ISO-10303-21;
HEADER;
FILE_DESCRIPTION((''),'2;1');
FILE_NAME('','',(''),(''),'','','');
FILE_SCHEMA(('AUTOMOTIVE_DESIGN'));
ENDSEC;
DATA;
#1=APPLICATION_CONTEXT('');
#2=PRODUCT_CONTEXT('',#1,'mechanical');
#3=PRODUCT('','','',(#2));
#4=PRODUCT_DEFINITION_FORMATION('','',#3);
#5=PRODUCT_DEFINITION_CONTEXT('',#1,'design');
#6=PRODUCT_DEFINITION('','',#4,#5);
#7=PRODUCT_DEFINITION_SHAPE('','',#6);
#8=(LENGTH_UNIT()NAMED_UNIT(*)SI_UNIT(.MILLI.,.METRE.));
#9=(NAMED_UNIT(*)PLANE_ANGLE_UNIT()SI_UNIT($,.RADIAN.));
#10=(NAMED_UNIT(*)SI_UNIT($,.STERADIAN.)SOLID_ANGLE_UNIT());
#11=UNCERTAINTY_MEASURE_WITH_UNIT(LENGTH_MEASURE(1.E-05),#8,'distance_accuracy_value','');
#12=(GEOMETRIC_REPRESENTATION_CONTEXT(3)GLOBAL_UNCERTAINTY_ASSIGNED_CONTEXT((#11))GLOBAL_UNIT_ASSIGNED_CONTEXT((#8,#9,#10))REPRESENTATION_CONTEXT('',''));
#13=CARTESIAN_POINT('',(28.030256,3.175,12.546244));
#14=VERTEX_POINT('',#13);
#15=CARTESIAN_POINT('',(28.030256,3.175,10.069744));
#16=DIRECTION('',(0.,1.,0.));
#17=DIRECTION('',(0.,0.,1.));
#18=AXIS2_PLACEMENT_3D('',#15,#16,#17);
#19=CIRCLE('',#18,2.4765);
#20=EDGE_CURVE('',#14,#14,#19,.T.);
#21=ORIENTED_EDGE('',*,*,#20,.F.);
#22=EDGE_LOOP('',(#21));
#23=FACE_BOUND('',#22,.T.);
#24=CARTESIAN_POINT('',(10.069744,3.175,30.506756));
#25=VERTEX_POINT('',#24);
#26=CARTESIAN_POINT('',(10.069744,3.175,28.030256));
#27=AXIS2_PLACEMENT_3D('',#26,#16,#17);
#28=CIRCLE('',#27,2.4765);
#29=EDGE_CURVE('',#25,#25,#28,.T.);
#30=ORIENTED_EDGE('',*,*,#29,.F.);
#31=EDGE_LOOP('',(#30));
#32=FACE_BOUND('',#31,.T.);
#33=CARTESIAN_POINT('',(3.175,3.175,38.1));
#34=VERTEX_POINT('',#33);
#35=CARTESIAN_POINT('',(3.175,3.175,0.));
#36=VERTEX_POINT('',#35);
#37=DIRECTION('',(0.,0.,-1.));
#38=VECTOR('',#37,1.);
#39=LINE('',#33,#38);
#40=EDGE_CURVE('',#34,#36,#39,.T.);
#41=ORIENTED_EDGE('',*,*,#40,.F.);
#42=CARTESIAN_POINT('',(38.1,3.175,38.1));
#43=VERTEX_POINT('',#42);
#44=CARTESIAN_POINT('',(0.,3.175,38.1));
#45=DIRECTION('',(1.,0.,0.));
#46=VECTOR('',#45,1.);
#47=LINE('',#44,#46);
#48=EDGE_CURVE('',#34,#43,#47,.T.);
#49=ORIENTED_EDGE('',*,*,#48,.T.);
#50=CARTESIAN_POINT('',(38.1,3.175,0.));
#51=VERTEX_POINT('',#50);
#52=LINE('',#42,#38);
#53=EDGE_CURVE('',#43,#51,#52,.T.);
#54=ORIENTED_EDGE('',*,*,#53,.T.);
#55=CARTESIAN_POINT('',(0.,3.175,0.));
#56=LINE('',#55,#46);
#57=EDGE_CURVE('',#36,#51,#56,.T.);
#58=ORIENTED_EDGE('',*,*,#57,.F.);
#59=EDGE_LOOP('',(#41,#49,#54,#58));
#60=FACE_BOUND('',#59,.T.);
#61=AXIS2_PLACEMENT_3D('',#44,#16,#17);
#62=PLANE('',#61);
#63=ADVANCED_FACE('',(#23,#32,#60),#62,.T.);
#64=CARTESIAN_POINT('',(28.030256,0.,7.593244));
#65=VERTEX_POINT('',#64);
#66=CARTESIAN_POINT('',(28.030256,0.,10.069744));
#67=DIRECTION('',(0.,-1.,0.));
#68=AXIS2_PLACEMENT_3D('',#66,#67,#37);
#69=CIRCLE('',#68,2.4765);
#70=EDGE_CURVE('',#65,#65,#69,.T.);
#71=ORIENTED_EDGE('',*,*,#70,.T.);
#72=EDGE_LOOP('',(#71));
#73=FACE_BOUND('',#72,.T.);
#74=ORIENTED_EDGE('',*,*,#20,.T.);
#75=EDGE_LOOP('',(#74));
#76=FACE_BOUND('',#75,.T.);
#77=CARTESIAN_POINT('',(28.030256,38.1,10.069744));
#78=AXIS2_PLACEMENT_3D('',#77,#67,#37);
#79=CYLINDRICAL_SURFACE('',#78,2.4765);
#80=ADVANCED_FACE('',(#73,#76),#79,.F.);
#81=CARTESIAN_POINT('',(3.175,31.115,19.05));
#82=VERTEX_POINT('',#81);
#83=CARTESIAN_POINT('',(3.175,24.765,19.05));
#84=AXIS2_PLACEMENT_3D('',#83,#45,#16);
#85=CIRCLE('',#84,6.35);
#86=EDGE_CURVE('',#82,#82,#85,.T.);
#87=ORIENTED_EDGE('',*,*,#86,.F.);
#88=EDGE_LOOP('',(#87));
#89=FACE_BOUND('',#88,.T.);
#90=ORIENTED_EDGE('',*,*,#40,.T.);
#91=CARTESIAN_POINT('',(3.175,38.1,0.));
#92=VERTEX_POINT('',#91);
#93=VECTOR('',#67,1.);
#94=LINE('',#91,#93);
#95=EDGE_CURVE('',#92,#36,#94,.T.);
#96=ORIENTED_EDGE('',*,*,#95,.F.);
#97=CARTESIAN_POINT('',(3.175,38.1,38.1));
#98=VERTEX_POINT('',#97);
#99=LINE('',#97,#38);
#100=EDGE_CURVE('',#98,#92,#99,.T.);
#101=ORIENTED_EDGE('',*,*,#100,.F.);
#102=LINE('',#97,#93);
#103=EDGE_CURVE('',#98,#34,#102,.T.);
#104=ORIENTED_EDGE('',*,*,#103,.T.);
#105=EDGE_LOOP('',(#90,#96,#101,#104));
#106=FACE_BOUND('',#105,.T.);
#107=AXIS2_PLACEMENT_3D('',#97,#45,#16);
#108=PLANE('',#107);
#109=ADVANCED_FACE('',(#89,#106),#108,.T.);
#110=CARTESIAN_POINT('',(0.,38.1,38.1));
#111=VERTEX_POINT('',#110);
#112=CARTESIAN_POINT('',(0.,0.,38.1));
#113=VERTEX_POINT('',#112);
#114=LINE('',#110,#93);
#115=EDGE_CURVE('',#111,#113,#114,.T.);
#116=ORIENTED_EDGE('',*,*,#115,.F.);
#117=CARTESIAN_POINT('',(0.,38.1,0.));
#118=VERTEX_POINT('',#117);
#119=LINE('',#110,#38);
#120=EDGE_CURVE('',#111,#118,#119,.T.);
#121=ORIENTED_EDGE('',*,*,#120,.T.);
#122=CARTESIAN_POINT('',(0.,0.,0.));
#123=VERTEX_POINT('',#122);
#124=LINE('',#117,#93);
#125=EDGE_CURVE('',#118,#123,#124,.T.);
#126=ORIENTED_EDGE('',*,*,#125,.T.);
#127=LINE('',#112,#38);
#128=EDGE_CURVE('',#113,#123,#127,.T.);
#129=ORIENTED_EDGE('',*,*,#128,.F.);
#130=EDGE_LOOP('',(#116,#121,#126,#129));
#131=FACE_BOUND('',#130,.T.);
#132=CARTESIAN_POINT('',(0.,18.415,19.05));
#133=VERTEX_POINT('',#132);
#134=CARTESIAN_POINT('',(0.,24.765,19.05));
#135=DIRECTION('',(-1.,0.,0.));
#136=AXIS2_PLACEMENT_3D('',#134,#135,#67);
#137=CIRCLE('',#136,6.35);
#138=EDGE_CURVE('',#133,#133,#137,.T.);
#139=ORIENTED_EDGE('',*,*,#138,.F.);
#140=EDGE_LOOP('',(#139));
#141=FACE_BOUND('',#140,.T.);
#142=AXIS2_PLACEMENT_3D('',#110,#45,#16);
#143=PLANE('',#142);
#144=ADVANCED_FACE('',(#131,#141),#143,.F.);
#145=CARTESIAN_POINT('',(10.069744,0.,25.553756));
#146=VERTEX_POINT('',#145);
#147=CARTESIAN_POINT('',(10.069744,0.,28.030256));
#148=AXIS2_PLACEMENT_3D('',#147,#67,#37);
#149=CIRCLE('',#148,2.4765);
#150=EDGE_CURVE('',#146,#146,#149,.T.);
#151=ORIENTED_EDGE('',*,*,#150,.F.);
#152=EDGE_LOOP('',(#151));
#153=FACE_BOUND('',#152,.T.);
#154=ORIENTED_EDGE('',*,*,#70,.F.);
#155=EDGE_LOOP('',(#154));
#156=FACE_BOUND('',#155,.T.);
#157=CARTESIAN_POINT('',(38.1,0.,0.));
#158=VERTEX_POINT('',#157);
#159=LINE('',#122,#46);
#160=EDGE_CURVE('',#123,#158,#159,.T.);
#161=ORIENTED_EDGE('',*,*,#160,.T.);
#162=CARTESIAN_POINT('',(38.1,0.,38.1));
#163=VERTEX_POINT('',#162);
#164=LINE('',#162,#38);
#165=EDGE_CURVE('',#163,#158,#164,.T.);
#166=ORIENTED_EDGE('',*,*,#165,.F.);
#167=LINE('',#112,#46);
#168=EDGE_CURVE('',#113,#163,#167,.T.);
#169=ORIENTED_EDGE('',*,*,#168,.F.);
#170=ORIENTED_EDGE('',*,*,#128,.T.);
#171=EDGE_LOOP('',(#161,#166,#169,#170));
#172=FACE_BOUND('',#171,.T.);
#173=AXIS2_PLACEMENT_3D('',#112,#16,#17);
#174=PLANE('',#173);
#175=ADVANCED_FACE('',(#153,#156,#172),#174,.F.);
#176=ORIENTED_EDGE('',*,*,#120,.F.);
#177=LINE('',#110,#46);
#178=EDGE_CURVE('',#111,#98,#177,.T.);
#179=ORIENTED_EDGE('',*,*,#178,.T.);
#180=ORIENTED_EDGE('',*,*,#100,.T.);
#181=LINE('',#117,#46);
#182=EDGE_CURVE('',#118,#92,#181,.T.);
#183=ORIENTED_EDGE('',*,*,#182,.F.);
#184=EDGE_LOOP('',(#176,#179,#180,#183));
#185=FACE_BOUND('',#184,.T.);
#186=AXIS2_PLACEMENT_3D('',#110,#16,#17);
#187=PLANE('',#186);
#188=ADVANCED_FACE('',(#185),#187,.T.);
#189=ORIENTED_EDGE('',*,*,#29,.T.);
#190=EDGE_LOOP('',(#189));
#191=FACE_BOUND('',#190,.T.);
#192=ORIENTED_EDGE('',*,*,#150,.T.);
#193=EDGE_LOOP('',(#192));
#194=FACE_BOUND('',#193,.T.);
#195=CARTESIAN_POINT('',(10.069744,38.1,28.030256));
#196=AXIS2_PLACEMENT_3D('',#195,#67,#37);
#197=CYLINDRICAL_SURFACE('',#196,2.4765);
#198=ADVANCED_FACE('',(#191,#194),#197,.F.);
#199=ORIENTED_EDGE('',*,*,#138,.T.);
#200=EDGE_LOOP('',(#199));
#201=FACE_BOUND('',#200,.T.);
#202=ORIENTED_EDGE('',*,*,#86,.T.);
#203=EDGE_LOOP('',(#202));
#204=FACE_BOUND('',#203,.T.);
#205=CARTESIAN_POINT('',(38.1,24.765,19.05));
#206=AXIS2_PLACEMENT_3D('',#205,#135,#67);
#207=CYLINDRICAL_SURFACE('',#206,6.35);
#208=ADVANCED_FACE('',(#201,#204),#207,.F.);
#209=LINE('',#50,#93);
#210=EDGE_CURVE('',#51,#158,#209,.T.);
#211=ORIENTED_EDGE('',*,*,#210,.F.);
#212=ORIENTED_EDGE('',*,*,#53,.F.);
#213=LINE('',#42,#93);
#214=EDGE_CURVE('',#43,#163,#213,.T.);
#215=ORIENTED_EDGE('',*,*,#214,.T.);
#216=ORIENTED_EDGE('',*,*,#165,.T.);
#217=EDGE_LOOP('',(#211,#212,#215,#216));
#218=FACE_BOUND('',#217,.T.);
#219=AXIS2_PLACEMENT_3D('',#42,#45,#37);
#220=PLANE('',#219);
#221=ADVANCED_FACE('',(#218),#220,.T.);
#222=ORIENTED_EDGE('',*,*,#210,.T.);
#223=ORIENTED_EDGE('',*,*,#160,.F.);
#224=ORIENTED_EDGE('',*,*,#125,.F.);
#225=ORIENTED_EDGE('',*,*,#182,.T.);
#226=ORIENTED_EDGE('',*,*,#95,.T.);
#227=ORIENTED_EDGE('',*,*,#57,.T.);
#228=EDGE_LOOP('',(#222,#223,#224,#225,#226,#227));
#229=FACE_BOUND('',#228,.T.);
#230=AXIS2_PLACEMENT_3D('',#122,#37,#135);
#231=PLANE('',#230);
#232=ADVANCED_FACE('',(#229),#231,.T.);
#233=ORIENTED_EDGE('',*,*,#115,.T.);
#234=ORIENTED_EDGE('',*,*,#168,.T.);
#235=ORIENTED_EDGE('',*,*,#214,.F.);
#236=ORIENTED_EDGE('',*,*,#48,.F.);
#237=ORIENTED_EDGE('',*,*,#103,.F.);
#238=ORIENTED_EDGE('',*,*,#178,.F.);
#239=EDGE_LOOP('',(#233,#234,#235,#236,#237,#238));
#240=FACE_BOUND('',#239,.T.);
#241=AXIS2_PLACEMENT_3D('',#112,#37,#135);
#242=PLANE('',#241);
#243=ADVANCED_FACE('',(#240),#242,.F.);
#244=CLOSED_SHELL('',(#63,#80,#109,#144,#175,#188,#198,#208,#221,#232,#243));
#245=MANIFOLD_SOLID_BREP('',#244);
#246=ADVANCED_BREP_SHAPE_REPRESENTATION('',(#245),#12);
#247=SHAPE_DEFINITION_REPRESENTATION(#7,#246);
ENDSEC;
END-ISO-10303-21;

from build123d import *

# Parameters (mm, degrees)
EXTRUDE_THIN1_DEPTH = 38.1
SKETCH2_R           = 6.35
CUT_EXTRUDE1_DEPTH  = 39.1
SKETCH3_R           = 2.4765
CUT_EXTRUDE2_DEPTH  = 39.1


with BuildPart() as part:
    # Sketch1 → Extrude-Thin1 (new body)
    with BuildSketch(Plane.XY):
        Polygon((0, 38.1), (0, 0), (38.1, 0), (38.1, 3.175), (3.175, 3.175), (3.175, 38.1), align=None)
    extrude(amount=EXTRUDE_THIN1_DEPTH)

    # Sketch2 → Cut-Extrude1 (cut, through all)
    with BuildSketch(Plane.ZY):
        with Locations((19.05, 24.765)):
            Circle(SKETCH2_R)
    extrude(amount=-CUT_EXTRUDE1_DEPTH, mode=Mode.SUBTRACT)

    # Sketch3 → Cut-Extrude2 (cut, through all)
    with BuildSketch(Plane.XZ):
        with Locations((28.030256121, 10.069743879)):
            Circle(SKETCH3_R)
        with Locations((10.069743879, 28.030256121)):
            Circle(SKETCH3_R)
    extrude(amount=-CUT_EXTRUDE2_DEPTH, mode=Mode.SUBTRACT)


solid = part.part
